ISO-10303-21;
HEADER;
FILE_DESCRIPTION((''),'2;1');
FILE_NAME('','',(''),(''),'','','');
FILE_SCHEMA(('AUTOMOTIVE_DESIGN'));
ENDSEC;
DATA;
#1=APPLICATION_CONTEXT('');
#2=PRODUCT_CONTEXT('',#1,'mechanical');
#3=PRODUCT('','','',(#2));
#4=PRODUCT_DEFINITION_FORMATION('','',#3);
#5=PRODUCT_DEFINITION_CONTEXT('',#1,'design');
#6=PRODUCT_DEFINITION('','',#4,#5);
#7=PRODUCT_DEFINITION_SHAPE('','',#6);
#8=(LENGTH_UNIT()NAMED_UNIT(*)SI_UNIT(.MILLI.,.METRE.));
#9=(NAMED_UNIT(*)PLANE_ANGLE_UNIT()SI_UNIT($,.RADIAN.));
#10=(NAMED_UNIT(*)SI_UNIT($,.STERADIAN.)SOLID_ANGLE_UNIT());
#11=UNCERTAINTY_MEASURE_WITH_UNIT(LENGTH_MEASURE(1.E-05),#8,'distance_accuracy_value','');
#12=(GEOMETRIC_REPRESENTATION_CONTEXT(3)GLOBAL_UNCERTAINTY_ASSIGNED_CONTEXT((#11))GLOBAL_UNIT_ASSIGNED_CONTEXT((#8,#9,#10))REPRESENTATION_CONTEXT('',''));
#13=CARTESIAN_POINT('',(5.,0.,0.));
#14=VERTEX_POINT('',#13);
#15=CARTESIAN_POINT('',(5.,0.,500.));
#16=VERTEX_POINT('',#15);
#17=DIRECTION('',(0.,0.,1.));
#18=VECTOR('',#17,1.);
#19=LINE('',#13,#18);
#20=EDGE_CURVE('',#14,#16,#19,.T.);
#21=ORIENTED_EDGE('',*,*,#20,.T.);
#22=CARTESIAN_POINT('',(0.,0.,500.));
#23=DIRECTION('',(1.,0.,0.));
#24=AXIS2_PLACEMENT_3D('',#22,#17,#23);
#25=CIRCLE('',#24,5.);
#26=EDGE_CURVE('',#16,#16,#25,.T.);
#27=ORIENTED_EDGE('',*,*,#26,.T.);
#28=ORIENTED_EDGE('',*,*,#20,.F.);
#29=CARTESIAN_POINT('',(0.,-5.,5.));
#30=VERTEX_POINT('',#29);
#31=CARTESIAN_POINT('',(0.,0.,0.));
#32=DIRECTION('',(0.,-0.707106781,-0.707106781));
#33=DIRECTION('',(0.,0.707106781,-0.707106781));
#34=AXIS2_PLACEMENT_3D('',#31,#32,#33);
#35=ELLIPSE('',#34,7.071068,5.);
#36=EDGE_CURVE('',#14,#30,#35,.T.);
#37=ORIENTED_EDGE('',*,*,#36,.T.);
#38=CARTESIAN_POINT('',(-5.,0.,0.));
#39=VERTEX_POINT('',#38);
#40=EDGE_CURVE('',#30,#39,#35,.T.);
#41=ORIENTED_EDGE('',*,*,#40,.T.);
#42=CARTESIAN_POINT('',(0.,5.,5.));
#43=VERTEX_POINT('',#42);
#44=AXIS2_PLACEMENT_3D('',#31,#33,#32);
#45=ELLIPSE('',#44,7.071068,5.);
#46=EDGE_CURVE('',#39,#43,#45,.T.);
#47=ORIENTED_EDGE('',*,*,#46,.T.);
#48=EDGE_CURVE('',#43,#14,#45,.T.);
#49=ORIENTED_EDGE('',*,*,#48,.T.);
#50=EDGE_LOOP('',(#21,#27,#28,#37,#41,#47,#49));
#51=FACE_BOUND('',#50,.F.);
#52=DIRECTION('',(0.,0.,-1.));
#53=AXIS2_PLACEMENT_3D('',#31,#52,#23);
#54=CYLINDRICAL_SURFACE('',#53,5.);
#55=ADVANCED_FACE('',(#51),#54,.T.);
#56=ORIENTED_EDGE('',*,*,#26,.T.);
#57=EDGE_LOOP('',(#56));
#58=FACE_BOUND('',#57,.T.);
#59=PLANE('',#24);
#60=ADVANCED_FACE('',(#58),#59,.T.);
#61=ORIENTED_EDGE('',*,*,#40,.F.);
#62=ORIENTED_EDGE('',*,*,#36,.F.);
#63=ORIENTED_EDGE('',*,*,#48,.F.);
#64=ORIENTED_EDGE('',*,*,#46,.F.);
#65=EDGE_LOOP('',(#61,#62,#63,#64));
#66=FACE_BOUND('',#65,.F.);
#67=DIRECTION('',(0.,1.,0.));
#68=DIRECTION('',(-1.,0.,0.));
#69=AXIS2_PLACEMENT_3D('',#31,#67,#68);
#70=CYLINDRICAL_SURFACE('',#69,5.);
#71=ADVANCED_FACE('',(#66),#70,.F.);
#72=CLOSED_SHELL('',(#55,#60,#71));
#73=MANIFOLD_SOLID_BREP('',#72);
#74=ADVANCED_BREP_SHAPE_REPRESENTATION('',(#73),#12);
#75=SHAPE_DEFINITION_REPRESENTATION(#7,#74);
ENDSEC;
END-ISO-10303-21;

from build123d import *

# Parameters (mm, degrees)
F0_R     = 5
F1_DEPTH = 500
F2_W     = 5
F2_H     = 10


with BuildPart() as f1:
    # F0 (on Top) → F1 (new body)
    with BuildSketch(Plane.XY):
        Circle(F0_R)
    extrude(amount=F1_DEPTH)

    # F2 (on Top) → F3 (revolve, cut)
    with BuildSketch(Plane.XY):
        with Locations((-2.5, 0)):
            Rectangle(F2_W, F2_H)
    revolve(axis=Axis((0, 0, 0), (0, 1, 0)), mode=Mode.SUBTRACT)


solid = f1.part
